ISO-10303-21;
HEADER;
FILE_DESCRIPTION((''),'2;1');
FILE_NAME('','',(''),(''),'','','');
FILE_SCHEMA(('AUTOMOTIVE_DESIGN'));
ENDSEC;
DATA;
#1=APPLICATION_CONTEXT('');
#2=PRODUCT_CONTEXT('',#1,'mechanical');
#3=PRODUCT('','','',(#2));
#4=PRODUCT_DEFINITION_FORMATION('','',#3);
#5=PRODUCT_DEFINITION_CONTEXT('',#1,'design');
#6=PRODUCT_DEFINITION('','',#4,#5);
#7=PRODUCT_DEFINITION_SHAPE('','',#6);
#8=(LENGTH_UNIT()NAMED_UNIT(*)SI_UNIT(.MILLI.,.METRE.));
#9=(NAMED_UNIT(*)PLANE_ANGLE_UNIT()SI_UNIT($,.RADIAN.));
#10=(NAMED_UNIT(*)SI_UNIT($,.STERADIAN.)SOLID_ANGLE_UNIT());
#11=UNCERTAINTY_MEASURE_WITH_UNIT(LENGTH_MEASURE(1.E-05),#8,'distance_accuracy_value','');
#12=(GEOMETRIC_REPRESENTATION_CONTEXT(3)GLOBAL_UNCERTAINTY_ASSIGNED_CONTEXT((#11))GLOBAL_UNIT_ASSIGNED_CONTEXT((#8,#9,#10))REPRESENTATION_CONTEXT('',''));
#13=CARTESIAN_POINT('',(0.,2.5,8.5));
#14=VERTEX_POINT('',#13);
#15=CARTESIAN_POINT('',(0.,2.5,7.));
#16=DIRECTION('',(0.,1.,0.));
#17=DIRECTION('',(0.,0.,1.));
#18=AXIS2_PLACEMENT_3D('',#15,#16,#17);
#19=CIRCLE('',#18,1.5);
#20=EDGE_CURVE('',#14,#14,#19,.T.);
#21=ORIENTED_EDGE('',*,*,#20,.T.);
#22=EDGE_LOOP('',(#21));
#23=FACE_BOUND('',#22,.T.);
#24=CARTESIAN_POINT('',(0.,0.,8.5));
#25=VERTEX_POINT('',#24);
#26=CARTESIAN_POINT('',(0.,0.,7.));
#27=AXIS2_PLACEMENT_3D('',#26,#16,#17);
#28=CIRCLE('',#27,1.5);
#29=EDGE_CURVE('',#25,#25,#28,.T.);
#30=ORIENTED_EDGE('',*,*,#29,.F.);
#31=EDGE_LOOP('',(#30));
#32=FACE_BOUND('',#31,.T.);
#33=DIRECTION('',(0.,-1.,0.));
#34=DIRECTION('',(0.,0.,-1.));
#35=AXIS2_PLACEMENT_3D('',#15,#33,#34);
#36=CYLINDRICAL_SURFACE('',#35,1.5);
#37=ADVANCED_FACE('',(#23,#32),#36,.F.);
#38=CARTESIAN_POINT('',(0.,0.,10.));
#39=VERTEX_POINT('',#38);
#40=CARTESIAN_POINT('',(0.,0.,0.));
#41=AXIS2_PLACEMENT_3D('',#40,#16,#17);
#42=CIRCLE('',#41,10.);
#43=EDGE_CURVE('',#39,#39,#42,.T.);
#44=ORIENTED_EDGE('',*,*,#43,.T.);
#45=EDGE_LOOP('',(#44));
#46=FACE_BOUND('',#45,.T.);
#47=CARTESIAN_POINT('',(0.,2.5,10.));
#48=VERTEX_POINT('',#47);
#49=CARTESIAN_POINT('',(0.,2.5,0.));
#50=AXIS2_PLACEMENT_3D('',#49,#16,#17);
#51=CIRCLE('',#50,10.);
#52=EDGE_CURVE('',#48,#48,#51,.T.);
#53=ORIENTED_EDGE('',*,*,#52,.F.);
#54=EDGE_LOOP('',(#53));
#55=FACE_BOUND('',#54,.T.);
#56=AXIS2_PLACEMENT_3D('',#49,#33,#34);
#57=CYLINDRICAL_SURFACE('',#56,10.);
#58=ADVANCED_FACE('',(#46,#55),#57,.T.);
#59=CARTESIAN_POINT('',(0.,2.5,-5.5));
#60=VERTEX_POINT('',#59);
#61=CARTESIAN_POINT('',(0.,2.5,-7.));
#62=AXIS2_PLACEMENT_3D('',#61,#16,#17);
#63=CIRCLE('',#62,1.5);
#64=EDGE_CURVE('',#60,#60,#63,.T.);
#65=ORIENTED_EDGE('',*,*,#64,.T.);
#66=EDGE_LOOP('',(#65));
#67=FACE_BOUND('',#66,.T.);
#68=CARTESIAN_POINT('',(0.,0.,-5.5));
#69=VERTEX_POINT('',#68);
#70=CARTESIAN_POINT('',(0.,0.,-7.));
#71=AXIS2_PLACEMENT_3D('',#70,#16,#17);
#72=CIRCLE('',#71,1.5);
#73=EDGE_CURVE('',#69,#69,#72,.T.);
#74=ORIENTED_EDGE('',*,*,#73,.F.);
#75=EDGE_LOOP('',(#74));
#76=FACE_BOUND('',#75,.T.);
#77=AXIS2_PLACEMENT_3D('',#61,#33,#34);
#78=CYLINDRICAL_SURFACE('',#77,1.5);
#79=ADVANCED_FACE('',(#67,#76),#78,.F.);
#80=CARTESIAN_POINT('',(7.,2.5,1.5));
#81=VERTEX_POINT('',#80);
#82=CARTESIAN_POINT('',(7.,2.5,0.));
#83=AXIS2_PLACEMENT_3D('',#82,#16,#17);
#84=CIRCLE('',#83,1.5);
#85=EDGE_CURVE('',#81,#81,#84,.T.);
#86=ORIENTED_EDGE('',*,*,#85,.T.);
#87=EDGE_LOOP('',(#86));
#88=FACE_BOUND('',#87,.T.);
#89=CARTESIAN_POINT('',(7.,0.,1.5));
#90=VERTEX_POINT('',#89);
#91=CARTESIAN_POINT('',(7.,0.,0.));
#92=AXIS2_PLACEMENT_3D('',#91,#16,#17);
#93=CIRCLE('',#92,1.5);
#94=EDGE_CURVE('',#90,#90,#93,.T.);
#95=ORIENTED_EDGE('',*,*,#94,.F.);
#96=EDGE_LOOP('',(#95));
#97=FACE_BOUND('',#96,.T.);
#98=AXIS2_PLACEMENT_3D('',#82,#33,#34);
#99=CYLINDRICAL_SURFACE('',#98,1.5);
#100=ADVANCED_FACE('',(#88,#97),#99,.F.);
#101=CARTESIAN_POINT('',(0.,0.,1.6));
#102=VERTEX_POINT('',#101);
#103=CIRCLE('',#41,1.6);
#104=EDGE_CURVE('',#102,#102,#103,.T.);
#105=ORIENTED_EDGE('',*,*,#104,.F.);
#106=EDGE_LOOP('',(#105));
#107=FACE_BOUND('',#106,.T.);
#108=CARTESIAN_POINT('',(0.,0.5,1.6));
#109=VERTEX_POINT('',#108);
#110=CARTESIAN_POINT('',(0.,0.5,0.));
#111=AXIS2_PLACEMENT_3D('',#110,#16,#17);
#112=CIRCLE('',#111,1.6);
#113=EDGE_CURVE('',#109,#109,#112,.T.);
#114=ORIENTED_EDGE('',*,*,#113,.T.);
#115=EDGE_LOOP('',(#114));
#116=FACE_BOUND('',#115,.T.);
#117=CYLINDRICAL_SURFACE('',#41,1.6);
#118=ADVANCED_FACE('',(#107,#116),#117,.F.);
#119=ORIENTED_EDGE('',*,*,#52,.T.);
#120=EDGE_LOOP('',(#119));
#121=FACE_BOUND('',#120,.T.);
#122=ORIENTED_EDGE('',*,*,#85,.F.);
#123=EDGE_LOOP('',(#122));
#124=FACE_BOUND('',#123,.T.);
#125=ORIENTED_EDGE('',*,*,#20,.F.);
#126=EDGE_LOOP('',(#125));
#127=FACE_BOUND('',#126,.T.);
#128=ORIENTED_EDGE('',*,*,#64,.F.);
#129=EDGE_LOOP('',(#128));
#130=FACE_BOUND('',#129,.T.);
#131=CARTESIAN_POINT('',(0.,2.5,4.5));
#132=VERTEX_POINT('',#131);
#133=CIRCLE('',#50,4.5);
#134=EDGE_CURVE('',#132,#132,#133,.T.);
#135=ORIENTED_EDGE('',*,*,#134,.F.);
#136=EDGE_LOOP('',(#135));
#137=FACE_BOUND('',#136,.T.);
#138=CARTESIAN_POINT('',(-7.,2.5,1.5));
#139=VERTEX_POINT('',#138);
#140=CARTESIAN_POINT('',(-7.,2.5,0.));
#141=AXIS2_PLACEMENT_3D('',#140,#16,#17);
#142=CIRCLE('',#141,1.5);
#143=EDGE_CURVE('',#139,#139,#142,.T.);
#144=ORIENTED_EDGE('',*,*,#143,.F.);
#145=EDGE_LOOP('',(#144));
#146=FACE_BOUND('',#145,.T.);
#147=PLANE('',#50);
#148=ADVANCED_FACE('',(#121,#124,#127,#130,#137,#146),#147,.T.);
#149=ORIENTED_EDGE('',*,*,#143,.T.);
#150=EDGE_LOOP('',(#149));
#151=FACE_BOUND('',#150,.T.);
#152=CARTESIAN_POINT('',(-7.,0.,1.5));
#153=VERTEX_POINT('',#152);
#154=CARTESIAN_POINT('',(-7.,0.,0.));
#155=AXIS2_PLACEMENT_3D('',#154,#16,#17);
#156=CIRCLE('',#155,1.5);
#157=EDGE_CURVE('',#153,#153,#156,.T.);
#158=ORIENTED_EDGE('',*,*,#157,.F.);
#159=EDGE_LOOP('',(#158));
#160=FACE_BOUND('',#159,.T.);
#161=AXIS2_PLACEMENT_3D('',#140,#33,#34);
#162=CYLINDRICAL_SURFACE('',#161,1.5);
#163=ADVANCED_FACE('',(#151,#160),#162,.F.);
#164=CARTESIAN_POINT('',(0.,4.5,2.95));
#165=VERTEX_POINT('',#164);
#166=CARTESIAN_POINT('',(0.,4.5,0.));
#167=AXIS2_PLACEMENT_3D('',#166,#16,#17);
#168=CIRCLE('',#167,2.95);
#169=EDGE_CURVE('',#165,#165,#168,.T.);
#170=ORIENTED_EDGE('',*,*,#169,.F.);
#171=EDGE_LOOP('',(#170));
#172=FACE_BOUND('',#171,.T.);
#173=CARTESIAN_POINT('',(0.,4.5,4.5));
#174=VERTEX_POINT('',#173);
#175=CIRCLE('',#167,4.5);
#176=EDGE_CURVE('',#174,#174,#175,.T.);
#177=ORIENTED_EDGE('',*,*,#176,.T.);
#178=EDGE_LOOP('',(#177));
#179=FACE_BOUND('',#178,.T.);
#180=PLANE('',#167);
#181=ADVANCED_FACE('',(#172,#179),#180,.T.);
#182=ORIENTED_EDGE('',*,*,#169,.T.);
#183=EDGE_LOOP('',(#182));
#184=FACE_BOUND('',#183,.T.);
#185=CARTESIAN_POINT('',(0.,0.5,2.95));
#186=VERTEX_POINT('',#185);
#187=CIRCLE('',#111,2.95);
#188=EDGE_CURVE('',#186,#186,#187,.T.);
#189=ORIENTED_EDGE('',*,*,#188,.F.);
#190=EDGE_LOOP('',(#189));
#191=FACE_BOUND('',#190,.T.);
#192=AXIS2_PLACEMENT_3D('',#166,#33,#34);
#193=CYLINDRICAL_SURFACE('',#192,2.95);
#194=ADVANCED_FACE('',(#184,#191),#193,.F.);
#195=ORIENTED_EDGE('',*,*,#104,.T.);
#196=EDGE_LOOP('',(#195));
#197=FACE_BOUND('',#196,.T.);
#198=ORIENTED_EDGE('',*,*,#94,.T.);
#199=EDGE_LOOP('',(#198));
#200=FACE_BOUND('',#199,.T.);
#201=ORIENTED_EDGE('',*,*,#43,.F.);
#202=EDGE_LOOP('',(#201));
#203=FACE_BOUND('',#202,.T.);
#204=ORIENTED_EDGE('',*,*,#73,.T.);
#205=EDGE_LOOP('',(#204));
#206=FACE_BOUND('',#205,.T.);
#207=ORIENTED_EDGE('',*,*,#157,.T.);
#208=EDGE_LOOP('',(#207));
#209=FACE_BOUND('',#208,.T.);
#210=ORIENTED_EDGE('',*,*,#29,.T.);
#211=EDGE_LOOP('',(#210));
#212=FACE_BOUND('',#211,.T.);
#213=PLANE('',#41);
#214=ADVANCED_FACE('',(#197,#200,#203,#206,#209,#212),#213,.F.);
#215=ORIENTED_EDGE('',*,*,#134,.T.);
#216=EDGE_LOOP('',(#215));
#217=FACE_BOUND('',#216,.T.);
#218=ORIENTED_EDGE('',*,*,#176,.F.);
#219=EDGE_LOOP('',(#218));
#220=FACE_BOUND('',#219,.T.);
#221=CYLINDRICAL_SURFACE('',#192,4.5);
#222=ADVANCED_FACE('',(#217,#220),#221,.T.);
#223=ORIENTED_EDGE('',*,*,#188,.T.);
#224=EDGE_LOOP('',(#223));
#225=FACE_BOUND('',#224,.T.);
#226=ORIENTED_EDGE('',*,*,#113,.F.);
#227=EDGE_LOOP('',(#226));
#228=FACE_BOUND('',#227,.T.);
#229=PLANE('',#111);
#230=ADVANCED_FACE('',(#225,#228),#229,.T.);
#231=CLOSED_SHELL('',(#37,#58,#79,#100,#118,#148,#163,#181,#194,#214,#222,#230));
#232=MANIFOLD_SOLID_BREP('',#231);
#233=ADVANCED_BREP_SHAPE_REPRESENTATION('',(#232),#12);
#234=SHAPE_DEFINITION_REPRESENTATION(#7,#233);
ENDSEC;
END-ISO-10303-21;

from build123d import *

# Parameters (mm, degrees)
IZIM1_R                     = 10
IZIM1_R_2                   = 1.5
Y_KSEKLIK_EKSTR_ZYON1_DEPTH = 2.5
IZIM2_R                     = 4.5
IZIM2_R_2                   = 2.95
Y_KSEKLIK_EKSTR_ZYON2_DEPTH = 2
IZIM3_R                     = 1.6
KES_EKSTR_ZYON1_DEPTH       = 3.5
IZIM4_R                     = 2.95
IZIM4_R_2                   = 1.6
KES_EKSTR_ZYON2_DEPTH       = 2


with BuildPart() as part:
    # Çizim1 → Yükseklik-Ekstrüzyon1 (new body)
    with BuildSketch(Plane(origin=(0, 0, 0), x_dir=(1, 0, 0), z_dir=(0, 1, 0))):
        Circle(IZIM1_R)
        with Locations((0, 7)):
            Circle(IZIM1_R_2, mode=Mode.SUBTRACT)
        with Locations((7, 0)):
            Circle(IZIM1_R_2, mode=Mode.SUBTRACT)
        with Locations((0, -7)):
            Circle(IZIM1_R_2, mode=Mode.SUBTRACT)
        with Locations((-7, 0)):
            Circle(IZIM1_R_2, mode=Mode.SUBTRACT)
    extrude(amount=Y_KSEKLIK_EKSTR_ZYON1_DEPTH)

    # Çizim2 → Yükseklik-Ekstrüzyon2 (add)
    with BuildSketch(Plane(origin=(0, 2.5, 0), x_dir=(1, 0, 0), z_dir=(0, 1, 0))):
        Circle(IZIM2_R)
        Circle(IZIM2_R_2, mode=Mode.SUBTRACT)
    extrude(amount=Y_KSEKLIK_EKSTR_ZYON2_DEPTH)

    # Çizim3 → Kes-Ekstrüzyon1 (cut, through all)
    with BuildSketch(Plane(origin=(0, 2.5, 0), x_dir=(1, 0, 0), z_dir=(0, 1, 0))):
        Circle(IZIM3_R)
    extrude(amount=-KES_EKSTR_ZYON1_DEPTH, mode=Mode.SUBTRACT)

    # Çizim4 → Kes-Ekstrüzyon2 (cut)
    with BuildSketch(Plane(origin=(0, 2.5, 0), x_dir=(1, 0, 0), z_dir=(0, 1, 0))):
        Circle(IZIM4_R)
        Circle(IZIM4_R_2, mode=Mode.SUBTRACT)
    extrude(amount=-KES_EKSTR_ZYON2_DEPTH, mode=Mode.SUBTRACT)


solid = part.part
